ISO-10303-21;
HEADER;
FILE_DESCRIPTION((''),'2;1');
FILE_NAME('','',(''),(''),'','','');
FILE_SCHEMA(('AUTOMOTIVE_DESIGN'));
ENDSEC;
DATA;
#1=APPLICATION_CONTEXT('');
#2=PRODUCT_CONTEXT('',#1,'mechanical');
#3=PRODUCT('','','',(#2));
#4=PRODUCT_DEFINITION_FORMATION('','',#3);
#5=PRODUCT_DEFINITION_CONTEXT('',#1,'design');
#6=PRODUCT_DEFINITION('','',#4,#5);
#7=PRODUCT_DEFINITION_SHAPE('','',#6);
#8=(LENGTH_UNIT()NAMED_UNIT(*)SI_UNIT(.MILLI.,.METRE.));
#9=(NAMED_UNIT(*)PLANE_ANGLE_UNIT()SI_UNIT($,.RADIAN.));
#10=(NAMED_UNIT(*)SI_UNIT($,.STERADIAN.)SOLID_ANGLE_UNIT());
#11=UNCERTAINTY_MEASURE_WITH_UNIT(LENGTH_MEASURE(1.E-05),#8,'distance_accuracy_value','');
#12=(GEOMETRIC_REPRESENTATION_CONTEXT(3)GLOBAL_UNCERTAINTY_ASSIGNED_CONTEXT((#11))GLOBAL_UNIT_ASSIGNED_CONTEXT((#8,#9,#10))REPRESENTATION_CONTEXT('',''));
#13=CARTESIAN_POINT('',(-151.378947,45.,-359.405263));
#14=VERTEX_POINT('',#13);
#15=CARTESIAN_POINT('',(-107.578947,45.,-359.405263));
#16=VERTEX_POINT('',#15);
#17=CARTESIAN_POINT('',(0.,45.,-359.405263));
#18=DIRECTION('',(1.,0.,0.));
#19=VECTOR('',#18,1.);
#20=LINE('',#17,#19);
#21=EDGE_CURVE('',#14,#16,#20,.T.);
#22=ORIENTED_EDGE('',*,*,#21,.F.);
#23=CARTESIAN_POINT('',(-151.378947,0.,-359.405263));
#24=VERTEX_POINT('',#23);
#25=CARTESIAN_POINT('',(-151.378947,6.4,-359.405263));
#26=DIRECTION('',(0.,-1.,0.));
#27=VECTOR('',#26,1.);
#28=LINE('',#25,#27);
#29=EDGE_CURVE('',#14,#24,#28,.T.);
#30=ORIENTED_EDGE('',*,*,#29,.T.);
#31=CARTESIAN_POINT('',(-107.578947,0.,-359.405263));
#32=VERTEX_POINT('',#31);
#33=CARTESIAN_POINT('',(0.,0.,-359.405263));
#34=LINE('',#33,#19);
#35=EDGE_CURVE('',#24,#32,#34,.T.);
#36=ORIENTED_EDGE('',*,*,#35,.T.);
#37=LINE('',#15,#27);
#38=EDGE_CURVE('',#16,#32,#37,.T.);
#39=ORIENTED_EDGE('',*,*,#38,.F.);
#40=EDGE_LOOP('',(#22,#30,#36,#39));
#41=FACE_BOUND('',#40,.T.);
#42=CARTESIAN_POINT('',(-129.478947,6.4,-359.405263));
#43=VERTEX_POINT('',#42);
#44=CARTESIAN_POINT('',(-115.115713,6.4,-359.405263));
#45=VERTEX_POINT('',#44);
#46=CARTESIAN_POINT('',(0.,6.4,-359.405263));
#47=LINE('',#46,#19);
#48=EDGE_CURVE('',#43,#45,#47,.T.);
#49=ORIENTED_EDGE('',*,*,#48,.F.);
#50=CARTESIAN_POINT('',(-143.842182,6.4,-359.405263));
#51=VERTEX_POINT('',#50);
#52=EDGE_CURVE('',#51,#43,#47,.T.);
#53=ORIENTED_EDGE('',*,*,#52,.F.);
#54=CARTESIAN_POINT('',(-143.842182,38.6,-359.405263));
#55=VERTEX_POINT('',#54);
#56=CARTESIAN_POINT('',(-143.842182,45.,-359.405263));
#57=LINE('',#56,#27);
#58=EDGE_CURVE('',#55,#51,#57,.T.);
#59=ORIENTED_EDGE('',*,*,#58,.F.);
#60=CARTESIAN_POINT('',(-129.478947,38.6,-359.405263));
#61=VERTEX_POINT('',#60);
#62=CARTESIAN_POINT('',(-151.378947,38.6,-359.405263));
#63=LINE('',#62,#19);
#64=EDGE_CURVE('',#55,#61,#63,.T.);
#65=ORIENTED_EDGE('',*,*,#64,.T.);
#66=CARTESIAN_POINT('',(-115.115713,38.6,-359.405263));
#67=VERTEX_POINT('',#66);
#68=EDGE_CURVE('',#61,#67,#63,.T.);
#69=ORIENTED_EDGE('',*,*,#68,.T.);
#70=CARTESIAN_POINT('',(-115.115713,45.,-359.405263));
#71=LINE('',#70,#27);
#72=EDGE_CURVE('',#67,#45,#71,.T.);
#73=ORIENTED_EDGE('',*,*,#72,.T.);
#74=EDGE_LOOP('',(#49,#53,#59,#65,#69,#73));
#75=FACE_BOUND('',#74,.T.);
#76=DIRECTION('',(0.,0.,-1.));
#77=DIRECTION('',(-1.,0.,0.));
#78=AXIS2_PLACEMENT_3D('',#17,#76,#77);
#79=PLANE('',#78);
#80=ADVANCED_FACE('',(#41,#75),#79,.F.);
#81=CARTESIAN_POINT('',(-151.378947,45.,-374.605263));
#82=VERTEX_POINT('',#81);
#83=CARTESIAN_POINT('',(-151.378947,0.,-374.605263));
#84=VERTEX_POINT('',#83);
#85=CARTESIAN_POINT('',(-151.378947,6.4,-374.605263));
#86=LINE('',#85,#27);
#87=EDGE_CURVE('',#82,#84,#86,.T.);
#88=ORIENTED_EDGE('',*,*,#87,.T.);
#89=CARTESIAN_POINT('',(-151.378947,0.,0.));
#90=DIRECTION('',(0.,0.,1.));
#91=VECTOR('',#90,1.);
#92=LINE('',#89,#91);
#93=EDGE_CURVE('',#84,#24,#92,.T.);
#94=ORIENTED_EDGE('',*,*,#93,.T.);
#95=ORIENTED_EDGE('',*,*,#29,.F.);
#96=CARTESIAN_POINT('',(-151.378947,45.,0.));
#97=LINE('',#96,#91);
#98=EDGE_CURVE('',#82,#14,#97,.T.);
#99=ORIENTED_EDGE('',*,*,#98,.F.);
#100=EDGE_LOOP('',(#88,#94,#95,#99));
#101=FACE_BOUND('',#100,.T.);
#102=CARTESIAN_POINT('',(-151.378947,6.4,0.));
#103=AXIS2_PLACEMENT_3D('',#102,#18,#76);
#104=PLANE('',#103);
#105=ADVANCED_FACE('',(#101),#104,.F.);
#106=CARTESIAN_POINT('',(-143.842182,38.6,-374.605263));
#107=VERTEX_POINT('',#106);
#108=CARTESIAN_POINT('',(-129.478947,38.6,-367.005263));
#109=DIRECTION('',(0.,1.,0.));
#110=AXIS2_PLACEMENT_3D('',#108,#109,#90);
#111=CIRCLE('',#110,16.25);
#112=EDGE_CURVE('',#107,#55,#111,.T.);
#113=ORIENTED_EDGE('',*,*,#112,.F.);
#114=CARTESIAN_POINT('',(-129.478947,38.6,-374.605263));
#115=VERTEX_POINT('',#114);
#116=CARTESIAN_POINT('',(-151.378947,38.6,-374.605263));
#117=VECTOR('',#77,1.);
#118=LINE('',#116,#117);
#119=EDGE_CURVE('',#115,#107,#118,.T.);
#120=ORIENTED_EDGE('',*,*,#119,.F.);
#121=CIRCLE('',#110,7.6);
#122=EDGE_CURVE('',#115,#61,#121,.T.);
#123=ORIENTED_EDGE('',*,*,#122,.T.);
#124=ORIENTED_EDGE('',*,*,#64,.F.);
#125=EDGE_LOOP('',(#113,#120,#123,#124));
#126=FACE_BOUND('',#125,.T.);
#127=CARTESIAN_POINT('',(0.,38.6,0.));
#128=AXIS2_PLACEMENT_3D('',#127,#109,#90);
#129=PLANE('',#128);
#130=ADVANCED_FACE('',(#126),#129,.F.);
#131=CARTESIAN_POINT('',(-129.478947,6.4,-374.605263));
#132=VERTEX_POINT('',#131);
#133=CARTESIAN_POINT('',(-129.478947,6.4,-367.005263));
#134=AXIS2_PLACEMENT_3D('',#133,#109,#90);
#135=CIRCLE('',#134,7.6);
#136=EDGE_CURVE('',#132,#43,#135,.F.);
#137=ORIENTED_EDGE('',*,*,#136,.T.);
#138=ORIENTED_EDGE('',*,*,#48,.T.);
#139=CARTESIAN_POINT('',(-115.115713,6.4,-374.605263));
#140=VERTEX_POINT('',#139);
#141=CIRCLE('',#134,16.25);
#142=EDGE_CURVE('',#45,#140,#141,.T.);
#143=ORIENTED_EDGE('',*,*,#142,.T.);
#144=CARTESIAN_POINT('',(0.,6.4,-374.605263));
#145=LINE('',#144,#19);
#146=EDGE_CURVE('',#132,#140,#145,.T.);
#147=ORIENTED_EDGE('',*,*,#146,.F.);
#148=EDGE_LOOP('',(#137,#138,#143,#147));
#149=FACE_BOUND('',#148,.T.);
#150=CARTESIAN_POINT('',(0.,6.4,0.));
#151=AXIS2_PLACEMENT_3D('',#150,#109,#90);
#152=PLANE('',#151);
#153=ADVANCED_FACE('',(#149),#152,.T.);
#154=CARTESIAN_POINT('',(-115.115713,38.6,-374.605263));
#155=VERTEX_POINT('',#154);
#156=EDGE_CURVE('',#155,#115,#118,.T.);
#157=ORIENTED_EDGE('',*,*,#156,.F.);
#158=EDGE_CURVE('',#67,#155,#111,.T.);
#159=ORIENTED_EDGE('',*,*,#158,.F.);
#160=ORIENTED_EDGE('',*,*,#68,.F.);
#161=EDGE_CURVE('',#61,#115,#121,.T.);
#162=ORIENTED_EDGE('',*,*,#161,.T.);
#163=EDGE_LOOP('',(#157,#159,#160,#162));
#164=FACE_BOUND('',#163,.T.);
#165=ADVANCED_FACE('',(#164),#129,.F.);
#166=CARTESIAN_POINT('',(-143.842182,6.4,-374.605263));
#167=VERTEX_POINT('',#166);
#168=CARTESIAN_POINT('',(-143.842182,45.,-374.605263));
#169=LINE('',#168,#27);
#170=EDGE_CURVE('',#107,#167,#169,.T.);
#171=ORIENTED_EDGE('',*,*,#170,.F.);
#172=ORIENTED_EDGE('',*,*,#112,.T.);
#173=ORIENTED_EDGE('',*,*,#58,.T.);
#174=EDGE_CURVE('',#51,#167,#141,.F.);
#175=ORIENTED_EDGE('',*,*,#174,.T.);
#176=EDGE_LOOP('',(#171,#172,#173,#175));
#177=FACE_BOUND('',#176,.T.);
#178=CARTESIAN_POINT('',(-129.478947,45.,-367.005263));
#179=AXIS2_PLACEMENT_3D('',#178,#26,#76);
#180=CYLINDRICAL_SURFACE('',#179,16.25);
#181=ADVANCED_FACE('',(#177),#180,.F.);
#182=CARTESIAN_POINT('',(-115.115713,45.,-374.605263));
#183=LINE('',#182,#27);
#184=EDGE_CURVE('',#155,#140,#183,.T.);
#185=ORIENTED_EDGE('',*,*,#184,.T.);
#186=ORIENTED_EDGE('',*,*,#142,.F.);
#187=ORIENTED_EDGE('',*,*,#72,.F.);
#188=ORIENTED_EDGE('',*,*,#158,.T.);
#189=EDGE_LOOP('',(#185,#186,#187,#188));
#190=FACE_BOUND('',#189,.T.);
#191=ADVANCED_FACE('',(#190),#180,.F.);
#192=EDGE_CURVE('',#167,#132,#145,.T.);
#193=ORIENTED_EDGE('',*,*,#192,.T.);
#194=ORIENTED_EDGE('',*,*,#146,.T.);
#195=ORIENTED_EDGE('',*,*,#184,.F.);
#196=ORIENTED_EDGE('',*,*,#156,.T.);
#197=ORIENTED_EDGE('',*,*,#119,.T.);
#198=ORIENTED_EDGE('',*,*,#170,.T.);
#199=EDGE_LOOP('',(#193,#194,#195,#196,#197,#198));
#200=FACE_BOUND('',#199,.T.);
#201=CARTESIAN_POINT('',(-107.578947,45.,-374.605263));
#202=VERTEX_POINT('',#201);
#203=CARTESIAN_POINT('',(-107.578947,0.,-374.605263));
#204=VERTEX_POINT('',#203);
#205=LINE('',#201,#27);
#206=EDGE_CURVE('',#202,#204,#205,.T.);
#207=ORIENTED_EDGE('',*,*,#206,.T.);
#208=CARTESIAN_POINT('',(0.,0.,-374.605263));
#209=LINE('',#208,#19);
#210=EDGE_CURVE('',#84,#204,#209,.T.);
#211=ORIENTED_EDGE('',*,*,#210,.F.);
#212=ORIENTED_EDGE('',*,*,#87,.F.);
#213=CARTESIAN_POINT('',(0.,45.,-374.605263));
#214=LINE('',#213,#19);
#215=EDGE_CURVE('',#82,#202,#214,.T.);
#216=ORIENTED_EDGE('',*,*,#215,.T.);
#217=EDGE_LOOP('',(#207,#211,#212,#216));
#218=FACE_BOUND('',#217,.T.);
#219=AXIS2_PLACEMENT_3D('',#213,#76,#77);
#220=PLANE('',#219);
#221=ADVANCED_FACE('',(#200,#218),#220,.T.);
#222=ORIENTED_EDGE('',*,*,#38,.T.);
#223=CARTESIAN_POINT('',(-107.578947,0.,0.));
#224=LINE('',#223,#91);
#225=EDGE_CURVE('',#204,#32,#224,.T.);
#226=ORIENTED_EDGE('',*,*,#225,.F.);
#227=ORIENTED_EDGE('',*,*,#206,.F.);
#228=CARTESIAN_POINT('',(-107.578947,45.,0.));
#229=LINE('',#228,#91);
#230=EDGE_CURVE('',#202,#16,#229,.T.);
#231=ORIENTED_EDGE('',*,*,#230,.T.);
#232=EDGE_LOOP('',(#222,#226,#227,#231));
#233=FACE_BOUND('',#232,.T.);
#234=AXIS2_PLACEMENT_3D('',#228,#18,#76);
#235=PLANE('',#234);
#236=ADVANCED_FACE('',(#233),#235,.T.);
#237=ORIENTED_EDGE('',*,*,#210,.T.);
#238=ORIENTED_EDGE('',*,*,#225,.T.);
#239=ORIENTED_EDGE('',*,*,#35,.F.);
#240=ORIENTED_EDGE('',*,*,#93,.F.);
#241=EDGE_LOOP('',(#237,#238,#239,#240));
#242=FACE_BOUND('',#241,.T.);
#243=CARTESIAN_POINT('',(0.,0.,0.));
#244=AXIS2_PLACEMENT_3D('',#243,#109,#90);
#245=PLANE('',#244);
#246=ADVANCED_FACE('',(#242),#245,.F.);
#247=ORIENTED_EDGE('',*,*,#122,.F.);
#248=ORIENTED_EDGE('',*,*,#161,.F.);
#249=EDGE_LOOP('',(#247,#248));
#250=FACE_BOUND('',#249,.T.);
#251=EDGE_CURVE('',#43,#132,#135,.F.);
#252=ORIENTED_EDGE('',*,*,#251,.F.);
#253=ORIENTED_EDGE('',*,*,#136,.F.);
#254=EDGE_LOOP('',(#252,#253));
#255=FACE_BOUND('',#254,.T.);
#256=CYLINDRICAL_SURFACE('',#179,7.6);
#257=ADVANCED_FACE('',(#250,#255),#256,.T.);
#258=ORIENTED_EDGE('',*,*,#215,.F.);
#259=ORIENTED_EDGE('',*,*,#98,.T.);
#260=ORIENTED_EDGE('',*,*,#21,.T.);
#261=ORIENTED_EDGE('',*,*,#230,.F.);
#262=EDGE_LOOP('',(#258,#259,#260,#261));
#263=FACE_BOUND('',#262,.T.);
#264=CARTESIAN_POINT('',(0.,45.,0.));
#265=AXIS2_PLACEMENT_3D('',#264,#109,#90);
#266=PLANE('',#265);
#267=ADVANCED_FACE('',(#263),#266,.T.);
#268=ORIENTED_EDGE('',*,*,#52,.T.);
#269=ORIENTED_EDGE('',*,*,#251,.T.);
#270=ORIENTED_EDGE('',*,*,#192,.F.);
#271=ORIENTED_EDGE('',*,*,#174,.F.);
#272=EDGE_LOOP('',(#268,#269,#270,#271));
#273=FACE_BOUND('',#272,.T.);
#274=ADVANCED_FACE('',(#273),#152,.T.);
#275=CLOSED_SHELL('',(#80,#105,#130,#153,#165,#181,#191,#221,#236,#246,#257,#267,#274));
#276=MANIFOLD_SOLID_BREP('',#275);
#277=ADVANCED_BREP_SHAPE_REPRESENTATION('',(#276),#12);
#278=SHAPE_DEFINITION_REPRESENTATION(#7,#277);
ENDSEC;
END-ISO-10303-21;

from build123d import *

# Parameters (mm, degrees)
BOSS_EXTRUDE1_DEPTH   = 45
SKETCH1_R             = 7.6
BOSS_EXTRUDE1_2_DEPTH = 45
BOSS_EXTRUDE1_3_DEPTH = 45
SKETCH1_3_W           = 43.8
SKETCH1_3_H           = 15.2
BOSS_EXTRUDE2_DEPTH   = 6.4
SKETCH2_W             = 43.8
SKETCH2_H             = 15.2
BOSS_EXTRUDE3_DEPTH   = 6.4


with BuildPart() as part:
    # Sketch1 → Boss-Extrude1 (new body)
    with BuildSketch(Plane(origin=(0, 0, 0), x_dir=(1, 0, 0), z_dir=(0, 1, 0))):
        with BuildLine():
            Line((-143.842181684, 374.605263158), (-151.378947368, 374.605263158))
            Line((-151.378947368, 374.605263158), (-151.378947368, 359.405263158))
            Line((-151.378947368, 359.405263158), (-143.842181684, 359.405263158))
            ThreePointArc((-143.842181684, 359.405263158), (-145.728947368, 367.005263158), (-143.842181684, 374.605263158))
        make_face()
    extrude(amount=BOSS_EXTRUDE1_DEPTH)



with BuildPart() as body_2:
    # Sketch1 → Boss-Extrude1 2 (new body)
    with BuildSketch(Plane(origin=(0, 0, 0), x_dir=(1, 0, 0), z_dir=(0, 1, 0))):
        with Locations((-129.478947368, 367.005263158)):
            Circle(SKETCH1_R)
    extrude(amount=BOSS_EXTRUDE1_2_DEPTH)


with BuildPart() as body_3:
    # Sketch1 → Boss-Extrude1 3 (new body)
    with BuildSketch(Plane(origin=(0, 0, 0), x_dir=(1, 0, 0), z_dir=(0, 1, 0))):
        with BuildLine():
            Line((-107.578947368, 374.605263158), (-115.115713053, 374.605263158))
            ThreePointArc((-115.115713053, 374.605263158), (-113.228947368, 367.005263158), (-115.115713053, 359.405263158))
            Line((-115.115713053, 359.405263158), (-107.578947368, 359.405263158))
            Line((-107.578947368, 359.405263158), (-107.578947368, 374.605263158))
        make_face()
    extrude(amount=BOSS_EXTRUDE1_3_DEPTH)


with BuildPart() as part_1:
    add(part.part)

    add(body_2.part)  # Boss-Extrude2 merges body 2

    add(body_3.part)  # Boss-Extrude2 merges body 3
    # Sketch1<3> → Boss-Extrude2 (add)
    with BuildSketch(Plane(origin=(0, 0, 0), x_dir=(1, 0, 0), z_dir=(0, 1, 0))):
        with Locations((-129.478947368, 367.005263158)):
            Rectangle(SKETCH1_3_W, SKETCH1_3_H)
    extrude(amount=BOSS_EXTRUDE2_DEPTH)

    # Sketch2 → Boss-Extrude3 (add)
    with BuildSketch(Plane(origin=(0, 45, 0), x_dir=(1, 0, 0), z_dir=(0, 1, 0))):
        with Locations((-129.478947368, 367.005263158)):
            Rectangle(SKETCH2_W, SKETCH2_H)
    extrude(amount=-BOSS_EXTRUDE3_DEPTH)


solid = part_1.part
